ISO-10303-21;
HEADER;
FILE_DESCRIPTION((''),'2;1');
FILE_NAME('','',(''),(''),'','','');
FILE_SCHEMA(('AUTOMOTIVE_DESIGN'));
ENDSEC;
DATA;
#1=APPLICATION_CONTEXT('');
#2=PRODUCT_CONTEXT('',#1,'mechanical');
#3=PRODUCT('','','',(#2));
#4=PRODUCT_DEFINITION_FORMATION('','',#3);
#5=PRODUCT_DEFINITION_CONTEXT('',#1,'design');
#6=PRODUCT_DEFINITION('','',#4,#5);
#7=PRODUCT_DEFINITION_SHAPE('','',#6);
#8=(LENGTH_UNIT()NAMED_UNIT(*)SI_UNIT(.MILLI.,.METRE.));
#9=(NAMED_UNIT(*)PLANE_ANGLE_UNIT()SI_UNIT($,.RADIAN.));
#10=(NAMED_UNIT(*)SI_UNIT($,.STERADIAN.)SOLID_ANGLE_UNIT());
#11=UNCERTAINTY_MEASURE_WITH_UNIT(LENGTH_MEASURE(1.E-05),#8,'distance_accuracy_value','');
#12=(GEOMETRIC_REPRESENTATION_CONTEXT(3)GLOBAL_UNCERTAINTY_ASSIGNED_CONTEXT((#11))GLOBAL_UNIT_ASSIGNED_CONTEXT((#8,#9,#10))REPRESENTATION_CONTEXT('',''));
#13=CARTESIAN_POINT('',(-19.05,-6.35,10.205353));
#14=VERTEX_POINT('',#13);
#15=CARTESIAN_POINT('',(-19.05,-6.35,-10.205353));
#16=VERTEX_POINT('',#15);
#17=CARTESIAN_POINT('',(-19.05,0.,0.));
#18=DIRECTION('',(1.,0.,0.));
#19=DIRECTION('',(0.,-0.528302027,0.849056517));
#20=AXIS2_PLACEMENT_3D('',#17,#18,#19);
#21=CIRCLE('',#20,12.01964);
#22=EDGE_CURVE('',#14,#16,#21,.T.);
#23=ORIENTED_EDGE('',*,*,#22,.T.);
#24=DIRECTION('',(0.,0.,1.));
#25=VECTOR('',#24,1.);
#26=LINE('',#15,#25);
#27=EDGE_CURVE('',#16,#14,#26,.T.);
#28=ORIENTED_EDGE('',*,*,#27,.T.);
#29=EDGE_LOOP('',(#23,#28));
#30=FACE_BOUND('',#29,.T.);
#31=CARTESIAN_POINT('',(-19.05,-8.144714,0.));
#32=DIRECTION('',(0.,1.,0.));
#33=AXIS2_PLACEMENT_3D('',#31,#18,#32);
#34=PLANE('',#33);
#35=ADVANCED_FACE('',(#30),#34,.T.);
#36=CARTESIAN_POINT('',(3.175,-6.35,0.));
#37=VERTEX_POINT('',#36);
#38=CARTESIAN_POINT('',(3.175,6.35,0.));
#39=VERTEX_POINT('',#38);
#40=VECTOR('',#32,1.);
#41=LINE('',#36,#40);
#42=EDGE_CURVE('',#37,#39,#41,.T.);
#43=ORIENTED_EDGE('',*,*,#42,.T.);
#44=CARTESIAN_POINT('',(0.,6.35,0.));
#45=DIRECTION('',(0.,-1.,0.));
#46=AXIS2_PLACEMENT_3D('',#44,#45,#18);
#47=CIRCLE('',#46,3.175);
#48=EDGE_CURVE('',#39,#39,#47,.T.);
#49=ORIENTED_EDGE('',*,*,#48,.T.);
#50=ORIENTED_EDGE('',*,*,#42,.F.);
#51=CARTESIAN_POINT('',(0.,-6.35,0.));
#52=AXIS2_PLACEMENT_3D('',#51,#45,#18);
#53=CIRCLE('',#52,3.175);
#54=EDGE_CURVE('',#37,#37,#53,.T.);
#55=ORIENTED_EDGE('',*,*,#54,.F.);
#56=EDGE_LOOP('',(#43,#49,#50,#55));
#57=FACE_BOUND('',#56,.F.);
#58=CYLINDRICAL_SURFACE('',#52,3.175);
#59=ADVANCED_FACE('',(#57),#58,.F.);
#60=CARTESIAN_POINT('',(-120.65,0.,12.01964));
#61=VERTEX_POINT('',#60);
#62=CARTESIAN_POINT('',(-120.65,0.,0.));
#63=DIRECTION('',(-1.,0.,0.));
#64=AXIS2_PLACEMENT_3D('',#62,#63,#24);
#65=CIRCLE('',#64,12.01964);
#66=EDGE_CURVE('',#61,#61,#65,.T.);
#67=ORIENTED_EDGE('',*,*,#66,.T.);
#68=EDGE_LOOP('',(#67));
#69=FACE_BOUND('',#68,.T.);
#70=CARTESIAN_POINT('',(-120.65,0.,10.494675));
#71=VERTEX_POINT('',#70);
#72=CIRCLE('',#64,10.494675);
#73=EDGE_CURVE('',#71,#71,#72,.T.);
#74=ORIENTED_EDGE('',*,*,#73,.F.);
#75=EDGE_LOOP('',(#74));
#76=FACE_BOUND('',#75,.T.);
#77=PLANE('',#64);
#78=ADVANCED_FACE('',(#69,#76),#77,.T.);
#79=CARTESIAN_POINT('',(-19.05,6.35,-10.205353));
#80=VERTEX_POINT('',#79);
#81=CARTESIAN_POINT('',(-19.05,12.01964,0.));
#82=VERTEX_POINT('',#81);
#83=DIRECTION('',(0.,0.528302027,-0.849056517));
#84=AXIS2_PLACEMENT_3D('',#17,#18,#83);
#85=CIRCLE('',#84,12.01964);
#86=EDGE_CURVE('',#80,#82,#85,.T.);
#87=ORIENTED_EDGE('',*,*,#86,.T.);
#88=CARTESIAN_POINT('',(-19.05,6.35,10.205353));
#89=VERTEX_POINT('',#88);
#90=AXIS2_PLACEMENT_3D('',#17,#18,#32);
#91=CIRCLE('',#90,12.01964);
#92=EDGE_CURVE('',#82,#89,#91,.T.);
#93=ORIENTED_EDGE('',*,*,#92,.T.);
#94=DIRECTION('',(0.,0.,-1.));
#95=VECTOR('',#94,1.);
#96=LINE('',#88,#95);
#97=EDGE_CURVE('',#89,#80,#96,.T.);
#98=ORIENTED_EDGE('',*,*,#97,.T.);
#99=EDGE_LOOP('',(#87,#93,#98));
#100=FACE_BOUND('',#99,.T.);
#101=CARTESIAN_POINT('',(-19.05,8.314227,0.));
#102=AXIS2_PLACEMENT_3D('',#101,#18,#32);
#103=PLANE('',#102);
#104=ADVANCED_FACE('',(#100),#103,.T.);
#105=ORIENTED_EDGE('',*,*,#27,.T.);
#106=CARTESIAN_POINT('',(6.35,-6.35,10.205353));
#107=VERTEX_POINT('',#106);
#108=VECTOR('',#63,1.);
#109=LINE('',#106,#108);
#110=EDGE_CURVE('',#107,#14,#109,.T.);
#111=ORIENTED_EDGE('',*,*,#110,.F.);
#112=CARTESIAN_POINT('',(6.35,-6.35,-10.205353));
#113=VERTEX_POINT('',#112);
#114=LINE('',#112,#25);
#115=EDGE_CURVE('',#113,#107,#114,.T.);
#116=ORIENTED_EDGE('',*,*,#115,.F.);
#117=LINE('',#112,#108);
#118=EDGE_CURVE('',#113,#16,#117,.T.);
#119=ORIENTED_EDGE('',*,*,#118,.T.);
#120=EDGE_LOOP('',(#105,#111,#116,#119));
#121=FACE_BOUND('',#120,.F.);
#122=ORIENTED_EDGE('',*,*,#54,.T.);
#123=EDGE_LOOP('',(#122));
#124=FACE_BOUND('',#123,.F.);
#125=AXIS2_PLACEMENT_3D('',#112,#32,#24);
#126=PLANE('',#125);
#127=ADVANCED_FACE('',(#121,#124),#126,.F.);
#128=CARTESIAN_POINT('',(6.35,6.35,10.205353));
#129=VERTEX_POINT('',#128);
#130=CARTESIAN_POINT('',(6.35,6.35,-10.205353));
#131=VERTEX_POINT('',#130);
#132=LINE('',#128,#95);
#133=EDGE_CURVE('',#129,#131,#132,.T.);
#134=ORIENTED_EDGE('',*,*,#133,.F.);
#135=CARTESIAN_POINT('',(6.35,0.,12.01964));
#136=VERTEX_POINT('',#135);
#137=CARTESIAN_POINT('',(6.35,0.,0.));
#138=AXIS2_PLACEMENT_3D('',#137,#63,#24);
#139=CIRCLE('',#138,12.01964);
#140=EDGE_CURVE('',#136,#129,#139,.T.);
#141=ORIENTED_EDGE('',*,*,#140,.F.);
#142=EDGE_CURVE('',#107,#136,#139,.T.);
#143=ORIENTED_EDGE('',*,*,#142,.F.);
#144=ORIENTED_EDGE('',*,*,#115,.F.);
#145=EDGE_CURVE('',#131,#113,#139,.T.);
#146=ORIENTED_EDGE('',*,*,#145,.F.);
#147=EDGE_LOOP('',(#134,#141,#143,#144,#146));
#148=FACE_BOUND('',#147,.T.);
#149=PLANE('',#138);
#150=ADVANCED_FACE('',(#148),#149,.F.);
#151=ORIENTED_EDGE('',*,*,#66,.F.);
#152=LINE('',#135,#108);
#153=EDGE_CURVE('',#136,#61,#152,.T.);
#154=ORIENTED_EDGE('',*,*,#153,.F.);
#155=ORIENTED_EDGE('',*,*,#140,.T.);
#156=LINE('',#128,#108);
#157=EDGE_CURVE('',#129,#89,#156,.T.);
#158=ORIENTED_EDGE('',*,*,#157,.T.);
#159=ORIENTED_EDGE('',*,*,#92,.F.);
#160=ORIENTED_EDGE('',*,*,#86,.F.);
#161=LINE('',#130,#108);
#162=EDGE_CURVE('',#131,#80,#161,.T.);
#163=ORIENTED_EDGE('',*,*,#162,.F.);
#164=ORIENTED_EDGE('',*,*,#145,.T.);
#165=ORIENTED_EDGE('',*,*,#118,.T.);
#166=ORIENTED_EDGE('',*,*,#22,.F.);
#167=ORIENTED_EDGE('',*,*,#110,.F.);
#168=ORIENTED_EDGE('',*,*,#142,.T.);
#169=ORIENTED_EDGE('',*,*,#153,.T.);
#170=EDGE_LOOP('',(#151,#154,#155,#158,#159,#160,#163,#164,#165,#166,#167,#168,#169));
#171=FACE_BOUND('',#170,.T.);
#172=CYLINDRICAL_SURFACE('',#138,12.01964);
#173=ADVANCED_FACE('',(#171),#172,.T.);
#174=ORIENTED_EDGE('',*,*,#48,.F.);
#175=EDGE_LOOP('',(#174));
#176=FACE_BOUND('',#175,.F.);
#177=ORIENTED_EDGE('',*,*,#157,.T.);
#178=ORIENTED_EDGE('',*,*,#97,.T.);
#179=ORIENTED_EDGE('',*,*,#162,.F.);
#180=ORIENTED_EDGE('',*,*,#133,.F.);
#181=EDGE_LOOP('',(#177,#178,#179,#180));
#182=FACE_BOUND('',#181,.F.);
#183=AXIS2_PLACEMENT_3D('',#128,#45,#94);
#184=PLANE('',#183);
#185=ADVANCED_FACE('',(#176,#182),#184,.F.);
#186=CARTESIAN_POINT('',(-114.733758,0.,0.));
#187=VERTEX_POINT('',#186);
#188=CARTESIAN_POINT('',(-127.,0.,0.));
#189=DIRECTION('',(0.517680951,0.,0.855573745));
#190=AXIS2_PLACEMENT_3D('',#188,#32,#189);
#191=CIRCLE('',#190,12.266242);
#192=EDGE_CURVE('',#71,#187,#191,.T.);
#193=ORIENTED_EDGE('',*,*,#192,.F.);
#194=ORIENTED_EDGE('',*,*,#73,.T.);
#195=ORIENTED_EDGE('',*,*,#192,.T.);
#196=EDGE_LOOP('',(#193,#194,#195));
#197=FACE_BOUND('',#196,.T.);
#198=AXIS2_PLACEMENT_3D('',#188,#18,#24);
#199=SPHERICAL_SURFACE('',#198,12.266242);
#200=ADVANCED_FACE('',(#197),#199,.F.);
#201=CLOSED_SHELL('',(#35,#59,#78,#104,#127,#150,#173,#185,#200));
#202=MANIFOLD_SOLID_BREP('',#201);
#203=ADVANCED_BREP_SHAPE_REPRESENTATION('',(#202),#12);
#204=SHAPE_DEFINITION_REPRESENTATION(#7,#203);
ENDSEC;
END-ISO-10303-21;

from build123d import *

# Parameters (mm, degrees)
F3_DEPTH = 25.4
F4_R     = 3.175
F5_DEPTH = 18.3706396773


with BuildPart() as f1:
    # F0 (on Front) → F1 (revolve)
    with BuildSketch(Plane.XZ):
        with BuildLine():
            Line((6.35, 12.0196396773), (-120.65, 12.0196396773))
            Line((-120.65, 12.0196396773), (-120.65, 10.49467489))
            ThreePointArc((-120.65, 10.49467489), (-116.3146984161, 6.0237057619), (-114.733757664, 0))
            Line((-114.733757664, 0), (6.35, 0))
            Line((6.35, 0), (6.35, 12.0196396773))
        make_face()
    revolve(axis=Axis((-54.191878832, 0, 0), (-1, 0, 0)))

    # F2 (on face) → F3 (cut)
    with BuildSketch(Plane.YZ.offset(6.35)):
        with BuildLine():
            Line((-6.35, -10.2053533977), (-6.35, 10.2053533977))
            ThreePointArc((-6.35, 10.2053533977), (-12.0196396773, 0), (-6.35, -10.2053533977))
        make_face()
        with BuildLine():
            ThreePointArc((12.0196396773, 0), (10.5070559607, 5.8372521798), (6.35, 10.2053533977))
            Line((6.35, 10.2053533977), (6.35, -10.2053533977))
            ThreePointArc((6.35, -10.2053533977), (10.5070559607, -5.8372521798), (12.0196396773, 0))
        make_face()
    extrude(amount=-F3_DEPTH, mode=Mode.SUBTRACT)

    # F4 (on face) → F5 (cut, through all)
    with BuildSketch(Plane.XZ.offset(6.35)):
        Circle(F4_R)
    extrude(amount=-F5_DEPTH, mode=Mode.SUBTRACT)


solid = f1.part
